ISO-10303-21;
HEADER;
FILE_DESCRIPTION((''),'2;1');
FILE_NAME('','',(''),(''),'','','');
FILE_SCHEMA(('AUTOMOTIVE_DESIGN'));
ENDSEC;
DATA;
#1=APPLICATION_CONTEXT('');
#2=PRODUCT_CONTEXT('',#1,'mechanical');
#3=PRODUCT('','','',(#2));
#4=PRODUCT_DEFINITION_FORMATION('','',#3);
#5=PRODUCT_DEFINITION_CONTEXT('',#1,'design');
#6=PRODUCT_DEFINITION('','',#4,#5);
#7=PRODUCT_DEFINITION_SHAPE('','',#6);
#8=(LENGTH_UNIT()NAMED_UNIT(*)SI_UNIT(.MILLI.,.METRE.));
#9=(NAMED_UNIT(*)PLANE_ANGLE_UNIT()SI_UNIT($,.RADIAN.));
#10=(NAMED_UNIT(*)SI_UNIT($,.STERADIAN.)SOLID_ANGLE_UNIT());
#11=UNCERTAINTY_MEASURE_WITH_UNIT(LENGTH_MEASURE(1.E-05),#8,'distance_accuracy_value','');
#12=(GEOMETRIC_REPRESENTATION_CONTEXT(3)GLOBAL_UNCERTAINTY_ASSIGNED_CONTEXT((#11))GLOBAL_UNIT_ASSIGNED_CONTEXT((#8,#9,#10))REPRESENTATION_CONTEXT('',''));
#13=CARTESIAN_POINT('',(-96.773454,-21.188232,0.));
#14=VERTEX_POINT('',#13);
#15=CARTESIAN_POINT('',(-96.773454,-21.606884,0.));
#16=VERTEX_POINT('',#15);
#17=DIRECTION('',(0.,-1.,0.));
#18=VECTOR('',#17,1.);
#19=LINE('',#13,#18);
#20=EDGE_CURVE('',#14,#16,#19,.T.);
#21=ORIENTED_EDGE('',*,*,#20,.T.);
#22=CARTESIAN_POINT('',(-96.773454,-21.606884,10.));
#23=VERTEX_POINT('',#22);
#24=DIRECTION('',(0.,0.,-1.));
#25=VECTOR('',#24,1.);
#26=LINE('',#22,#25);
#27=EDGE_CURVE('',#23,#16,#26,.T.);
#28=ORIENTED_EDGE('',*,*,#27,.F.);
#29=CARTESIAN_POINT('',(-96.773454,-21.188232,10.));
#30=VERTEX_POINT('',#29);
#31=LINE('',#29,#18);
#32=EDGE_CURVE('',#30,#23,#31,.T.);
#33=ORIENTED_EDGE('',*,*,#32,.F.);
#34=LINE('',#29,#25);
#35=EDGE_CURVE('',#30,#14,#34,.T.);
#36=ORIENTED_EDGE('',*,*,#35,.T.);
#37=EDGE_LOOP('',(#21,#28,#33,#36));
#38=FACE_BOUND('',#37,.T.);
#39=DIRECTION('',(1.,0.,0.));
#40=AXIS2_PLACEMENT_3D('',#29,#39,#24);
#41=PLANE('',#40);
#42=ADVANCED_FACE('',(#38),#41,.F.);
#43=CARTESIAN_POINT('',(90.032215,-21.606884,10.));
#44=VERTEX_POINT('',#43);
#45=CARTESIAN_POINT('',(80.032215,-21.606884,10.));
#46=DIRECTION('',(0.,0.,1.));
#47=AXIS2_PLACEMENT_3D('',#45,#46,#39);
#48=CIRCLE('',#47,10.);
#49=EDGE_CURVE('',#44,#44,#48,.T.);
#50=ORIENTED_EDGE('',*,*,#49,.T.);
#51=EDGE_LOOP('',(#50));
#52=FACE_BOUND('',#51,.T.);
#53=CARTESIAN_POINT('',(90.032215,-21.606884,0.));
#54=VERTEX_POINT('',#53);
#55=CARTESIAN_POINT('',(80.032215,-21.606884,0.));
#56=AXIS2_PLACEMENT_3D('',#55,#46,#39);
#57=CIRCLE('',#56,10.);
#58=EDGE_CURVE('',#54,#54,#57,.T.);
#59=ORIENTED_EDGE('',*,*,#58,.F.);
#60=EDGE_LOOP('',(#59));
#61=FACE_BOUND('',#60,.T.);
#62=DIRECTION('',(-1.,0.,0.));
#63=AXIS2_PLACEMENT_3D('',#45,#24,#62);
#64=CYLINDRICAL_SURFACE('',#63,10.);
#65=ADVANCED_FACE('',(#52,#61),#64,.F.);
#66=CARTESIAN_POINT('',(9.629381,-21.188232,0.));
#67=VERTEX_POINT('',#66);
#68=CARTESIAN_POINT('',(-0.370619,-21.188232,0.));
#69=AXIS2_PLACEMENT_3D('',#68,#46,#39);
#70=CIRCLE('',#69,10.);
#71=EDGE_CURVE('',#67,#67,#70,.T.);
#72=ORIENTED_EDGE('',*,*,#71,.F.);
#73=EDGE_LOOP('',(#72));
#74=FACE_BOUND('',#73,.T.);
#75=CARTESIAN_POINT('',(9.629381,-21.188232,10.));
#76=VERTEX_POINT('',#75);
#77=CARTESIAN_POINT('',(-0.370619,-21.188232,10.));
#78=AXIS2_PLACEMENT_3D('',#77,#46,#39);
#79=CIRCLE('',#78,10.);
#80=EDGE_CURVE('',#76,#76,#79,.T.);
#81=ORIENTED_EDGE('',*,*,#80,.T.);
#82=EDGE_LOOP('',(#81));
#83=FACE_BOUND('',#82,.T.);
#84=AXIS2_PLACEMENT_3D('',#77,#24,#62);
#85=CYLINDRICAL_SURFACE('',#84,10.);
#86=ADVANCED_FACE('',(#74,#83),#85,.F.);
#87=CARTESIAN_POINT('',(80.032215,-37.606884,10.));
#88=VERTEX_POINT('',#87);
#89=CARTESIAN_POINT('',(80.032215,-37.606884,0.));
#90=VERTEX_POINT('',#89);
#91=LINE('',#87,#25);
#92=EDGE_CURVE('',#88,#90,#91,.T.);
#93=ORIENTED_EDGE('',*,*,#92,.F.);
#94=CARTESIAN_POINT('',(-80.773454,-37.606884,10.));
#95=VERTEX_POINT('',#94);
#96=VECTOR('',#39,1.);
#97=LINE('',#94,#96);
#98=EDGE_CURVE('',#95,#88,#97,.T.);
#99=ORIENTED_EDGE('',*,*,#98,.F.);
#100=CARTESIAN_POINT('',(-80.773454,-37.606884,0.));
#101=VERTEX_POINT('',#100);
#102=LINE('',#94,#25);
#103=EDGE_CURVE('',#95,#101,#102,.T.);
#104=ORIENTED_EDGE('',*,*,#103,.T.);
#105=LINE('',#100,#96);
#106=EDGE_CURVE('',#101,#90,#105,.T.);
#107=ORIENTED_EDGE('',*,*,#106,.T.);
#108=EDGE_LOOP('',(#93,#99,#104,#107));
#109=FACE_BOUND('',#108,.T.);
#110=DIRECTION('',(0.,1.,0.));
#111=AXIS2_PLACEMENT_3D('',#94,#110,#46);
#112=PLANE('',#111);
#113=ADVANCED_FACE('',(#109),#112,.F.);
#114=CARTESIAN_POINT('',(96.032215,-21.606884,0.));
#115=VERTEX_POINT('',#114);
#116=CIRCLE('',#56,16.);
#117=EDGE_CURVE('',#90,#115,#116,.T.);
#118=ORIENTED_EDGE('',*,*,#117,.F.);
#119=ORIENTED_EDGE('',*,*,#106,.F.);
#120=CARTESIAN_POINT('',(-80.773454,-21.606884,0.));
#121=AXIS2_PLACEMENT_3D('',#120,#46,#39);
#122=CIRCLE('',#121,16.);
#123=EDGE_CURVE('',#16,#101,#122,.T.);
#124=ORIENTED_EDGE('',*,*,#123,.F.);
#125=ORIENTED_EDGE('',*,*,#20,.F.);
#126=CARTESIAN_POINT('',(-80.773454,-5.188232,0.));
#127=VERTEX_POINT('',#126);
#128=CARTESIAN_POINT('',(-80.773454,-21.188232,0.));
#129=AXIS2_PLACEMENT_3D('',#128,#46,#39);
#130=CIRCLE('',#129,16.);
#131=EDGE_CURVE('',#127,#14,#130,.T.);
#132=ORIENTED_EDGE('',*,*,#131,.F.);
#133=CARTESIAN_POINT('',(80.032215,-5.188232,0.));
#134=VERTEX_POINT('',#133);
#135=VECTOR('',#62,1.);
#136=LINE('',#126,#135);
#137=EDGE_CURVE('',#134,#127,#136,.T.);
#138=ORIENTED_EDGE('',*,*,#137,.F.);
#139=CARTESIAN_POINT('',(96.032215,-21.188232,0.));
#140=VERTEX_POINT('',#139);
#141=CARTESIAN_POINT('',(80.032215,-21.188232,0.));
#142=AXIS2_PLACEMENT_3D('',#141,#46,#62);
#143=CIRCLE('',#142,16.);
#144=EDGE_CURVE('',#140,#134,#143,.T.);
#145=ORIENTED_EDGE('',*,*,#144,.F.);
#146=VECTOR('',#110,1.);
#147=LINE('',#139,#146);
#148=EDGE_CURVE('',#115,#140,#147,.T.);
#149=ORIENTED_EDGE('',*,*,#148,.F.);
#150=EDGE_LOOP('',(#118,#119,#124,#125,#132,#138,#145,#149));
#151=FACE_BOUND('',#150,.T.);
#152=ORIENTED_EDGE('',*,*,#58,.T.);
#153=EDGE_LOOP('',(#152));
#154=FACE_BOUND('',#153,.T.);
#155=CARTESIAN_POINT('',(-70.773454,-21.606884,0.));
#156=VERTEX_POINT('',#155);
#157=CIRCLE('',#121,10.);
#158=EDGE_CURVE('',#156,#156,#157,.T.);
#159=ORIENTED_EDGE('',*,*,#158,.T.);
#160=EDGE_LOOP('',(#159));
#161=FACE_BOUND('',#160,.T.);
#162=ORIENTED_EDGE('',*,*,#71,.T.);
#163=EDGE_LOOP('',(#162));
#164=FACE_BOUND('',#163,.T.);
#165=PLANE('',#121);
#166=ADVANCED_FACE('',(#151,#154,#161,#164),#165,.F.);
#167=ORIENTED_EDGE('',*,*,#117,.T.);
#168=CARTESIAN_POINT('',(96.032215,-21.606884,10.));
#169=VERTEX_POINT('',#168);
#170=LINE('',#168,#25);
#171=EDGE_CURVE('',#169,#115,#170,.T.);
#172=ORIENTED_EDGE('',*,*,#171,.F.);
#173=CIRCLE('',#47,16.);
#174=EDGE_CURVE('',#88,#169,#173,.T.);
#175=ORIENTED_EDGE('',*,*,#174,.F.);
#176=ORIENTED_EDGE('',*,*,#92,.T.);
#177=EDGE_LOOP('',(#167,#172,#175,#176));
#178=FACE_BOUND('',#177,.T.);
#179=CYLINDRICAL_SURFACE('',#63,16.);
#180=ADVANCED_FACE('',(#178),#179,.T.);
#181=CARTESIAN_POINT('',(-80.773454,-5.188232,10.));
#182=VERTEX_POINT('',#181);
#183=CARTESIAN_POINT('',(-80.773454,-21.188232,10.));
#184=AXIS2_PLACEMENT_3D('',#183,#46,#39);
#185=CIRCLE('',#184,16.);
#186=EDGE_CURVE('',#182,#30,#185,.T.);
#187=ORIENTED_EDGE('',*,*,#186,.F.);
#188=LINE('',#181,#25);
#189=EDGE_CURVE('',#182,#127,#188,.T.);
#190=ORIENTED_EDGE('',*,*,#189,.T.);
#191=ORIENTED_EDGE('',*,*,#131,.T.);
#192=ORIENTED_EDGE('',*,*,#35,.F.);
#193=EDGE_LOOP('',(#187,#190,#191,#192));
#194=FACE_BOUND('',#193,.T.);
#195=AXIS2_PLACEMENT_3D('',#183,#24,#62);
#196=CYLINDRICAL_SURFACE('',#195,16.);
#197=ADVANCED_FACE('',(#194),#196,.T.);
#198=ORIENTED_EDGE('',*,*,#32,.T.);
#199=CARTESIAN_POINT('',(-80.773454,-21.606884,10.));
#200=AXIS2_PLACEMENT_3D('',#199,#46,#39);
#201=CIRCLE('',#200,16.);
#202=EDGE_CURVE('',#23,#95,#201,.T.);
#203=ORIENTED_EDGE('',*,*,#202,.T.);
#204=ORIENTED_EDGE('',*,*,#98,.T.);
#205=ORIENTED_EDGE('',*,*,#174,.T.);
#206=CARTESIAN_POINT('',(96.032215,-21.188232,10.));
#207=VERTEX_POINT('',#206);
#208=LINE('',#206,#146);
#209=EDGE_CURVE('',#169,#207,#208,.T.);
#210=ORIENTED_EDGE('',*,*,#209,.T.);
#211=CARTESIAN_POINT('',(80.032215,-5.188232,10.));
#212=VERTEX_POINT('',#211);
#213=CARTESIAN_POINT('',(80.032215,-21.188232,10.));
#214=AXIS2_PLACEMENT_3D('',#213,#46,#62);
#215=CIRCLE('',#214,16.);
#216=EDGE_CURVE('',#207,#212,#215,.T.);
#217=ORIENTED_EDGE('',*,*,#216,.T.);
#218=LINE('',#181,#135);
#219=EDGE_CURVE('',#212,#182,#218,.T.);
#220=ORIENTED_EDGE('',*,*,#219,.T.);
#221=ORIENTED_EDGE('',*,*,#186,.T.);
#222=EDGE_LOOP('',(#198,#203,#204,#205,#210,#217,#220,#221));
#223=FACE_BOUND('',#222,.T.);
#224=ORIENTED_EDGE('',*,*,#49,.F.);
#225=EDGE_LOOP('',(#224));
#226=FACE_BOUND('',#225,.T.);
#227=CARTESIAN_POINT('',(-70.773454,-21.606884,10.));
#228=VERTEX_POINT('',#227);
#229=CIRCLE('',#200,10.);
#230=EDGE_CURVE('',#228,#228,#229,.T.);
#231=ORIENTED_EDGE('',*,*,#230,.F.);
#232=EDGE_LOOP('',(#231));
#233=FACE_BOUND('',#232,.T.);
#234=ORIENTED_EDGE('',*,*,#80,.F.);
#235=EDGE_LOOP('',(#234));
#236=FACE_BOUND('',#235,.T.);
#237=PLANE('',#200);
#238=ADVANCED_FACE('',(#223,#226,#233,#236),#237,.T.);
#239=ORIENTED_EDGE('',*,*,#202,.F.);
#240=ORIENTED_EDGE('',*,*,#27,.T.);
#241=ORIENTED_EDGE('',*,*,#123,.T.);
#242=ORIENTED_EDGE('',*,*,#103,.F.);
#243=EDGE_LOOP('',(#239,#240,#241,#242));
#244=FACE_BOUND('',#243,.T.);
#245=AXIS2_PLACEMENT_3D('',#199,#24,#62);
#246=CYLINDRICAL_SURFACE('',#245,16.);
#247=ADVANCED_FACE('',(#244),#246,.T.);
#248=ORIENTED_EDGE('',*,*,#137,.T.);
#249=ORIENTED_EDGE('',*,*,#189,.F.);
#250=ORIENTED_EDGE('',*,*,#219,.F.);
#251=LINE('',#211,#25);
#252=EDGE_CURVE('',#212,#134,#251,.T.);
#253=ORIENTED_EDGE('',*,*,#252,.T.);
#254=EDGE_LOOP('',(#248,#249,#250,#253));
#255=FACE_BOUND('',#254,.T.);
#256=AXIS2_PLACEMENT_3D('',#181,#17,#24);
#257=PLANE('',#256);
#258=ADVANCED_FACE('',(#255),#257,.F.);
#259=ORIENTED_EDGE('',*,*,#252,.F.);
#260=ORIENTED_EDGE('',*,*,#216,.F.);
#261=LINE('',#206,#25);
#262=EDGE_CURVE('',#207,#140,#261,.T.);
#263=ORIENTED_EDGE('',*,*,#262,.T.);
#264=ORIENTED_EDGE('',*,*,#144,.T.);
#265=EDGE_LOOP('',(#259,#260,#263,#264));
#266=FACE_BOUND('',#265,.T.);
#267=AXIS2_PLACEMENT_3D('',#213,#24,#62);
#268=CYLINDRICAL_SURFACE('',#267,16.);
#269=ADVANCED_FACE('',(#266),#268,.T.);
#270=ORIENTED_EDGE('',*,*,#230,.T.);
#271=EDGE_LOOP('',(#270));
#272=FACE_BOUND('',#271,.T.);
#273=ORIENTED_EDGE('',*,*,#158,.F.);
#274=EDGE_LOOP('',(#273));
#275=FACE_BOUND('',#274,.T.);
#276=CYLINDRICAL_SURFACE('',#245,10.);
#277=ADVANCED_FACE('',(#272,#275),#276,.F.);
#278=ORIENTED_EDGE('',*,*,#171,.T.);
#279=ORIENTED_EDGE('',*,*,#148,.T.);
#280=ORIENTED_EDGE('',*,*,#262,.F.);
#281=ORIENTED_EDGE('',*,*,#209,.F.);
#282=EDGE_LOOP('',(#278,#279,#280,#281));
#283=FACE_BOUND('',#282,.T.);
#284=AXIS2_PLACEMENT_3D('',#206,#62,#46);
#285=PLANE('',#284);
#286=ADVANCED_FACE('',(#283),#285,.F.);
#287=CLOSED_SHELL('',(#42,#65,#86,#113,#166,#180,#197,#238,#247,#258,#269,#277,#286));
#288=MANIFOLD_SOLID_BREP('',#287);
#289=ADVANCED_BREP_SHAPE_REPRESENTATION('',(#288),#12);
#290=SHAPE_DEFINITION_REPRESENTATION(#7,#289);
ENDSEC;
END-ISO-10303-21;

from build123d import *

# Parameters (mm, degrees)
SKETCH1_R           = 10
BOSS_EXTRUDE1_DEPTH = 10


with BuildPart() as part:
    # Sketch1 → Boss-Extrude1 (new body)
    with BuildSketch(Plane.XY):
        with BuildLine():
            Line((-80.773453516, -5.188231867), (80.032214634, -5.188231867))
            ThreePointArc((80.032214634, -5.188231867), (91.345923133, -9.874523368), (96.032214634, -21.188231867))
            Line((96.032214634, -21.188231867), (96.032214634, -21.606884034))
            ThreePointArc((96.032214634, -21.606884034), (91.345923133, -32.920592533), (80.032214634, -37.606884034))
            Line((80.032214634, -37.606884034), (-80.773453516, -37.606884034))
            ThreePointArc((-80.773453516, -37.606884034), (-92.087162015, -32.920592533), (-96.773453516, -21.606884034))
            Line((-96.773453516, -21.606884034), (-96.773453516, -21.188231867))
            ThreePointArc((-96.773453516, -21.188231867), (-92.087162015, -9.874523368), (-80.773453516, -5.188231867))
        make_face()
        with Locations((-80.773453516, -21.606884034)):
            Circle(SKETCH1_R, mode=Mode.SUBTRACT)
        with Locations((80.032214634, -21.606884034)):
            Circle(SKETCH1_R, mode=Mode.SUBTRACT)
        with Locations((-0.370619441, -21.188231867)):
            Circle(SKETCH1_R, mode=Mode.SUBTRACT)
    extrude(amount=BOSS_EXTRUDE1_DEPTH)


solid = part.part
